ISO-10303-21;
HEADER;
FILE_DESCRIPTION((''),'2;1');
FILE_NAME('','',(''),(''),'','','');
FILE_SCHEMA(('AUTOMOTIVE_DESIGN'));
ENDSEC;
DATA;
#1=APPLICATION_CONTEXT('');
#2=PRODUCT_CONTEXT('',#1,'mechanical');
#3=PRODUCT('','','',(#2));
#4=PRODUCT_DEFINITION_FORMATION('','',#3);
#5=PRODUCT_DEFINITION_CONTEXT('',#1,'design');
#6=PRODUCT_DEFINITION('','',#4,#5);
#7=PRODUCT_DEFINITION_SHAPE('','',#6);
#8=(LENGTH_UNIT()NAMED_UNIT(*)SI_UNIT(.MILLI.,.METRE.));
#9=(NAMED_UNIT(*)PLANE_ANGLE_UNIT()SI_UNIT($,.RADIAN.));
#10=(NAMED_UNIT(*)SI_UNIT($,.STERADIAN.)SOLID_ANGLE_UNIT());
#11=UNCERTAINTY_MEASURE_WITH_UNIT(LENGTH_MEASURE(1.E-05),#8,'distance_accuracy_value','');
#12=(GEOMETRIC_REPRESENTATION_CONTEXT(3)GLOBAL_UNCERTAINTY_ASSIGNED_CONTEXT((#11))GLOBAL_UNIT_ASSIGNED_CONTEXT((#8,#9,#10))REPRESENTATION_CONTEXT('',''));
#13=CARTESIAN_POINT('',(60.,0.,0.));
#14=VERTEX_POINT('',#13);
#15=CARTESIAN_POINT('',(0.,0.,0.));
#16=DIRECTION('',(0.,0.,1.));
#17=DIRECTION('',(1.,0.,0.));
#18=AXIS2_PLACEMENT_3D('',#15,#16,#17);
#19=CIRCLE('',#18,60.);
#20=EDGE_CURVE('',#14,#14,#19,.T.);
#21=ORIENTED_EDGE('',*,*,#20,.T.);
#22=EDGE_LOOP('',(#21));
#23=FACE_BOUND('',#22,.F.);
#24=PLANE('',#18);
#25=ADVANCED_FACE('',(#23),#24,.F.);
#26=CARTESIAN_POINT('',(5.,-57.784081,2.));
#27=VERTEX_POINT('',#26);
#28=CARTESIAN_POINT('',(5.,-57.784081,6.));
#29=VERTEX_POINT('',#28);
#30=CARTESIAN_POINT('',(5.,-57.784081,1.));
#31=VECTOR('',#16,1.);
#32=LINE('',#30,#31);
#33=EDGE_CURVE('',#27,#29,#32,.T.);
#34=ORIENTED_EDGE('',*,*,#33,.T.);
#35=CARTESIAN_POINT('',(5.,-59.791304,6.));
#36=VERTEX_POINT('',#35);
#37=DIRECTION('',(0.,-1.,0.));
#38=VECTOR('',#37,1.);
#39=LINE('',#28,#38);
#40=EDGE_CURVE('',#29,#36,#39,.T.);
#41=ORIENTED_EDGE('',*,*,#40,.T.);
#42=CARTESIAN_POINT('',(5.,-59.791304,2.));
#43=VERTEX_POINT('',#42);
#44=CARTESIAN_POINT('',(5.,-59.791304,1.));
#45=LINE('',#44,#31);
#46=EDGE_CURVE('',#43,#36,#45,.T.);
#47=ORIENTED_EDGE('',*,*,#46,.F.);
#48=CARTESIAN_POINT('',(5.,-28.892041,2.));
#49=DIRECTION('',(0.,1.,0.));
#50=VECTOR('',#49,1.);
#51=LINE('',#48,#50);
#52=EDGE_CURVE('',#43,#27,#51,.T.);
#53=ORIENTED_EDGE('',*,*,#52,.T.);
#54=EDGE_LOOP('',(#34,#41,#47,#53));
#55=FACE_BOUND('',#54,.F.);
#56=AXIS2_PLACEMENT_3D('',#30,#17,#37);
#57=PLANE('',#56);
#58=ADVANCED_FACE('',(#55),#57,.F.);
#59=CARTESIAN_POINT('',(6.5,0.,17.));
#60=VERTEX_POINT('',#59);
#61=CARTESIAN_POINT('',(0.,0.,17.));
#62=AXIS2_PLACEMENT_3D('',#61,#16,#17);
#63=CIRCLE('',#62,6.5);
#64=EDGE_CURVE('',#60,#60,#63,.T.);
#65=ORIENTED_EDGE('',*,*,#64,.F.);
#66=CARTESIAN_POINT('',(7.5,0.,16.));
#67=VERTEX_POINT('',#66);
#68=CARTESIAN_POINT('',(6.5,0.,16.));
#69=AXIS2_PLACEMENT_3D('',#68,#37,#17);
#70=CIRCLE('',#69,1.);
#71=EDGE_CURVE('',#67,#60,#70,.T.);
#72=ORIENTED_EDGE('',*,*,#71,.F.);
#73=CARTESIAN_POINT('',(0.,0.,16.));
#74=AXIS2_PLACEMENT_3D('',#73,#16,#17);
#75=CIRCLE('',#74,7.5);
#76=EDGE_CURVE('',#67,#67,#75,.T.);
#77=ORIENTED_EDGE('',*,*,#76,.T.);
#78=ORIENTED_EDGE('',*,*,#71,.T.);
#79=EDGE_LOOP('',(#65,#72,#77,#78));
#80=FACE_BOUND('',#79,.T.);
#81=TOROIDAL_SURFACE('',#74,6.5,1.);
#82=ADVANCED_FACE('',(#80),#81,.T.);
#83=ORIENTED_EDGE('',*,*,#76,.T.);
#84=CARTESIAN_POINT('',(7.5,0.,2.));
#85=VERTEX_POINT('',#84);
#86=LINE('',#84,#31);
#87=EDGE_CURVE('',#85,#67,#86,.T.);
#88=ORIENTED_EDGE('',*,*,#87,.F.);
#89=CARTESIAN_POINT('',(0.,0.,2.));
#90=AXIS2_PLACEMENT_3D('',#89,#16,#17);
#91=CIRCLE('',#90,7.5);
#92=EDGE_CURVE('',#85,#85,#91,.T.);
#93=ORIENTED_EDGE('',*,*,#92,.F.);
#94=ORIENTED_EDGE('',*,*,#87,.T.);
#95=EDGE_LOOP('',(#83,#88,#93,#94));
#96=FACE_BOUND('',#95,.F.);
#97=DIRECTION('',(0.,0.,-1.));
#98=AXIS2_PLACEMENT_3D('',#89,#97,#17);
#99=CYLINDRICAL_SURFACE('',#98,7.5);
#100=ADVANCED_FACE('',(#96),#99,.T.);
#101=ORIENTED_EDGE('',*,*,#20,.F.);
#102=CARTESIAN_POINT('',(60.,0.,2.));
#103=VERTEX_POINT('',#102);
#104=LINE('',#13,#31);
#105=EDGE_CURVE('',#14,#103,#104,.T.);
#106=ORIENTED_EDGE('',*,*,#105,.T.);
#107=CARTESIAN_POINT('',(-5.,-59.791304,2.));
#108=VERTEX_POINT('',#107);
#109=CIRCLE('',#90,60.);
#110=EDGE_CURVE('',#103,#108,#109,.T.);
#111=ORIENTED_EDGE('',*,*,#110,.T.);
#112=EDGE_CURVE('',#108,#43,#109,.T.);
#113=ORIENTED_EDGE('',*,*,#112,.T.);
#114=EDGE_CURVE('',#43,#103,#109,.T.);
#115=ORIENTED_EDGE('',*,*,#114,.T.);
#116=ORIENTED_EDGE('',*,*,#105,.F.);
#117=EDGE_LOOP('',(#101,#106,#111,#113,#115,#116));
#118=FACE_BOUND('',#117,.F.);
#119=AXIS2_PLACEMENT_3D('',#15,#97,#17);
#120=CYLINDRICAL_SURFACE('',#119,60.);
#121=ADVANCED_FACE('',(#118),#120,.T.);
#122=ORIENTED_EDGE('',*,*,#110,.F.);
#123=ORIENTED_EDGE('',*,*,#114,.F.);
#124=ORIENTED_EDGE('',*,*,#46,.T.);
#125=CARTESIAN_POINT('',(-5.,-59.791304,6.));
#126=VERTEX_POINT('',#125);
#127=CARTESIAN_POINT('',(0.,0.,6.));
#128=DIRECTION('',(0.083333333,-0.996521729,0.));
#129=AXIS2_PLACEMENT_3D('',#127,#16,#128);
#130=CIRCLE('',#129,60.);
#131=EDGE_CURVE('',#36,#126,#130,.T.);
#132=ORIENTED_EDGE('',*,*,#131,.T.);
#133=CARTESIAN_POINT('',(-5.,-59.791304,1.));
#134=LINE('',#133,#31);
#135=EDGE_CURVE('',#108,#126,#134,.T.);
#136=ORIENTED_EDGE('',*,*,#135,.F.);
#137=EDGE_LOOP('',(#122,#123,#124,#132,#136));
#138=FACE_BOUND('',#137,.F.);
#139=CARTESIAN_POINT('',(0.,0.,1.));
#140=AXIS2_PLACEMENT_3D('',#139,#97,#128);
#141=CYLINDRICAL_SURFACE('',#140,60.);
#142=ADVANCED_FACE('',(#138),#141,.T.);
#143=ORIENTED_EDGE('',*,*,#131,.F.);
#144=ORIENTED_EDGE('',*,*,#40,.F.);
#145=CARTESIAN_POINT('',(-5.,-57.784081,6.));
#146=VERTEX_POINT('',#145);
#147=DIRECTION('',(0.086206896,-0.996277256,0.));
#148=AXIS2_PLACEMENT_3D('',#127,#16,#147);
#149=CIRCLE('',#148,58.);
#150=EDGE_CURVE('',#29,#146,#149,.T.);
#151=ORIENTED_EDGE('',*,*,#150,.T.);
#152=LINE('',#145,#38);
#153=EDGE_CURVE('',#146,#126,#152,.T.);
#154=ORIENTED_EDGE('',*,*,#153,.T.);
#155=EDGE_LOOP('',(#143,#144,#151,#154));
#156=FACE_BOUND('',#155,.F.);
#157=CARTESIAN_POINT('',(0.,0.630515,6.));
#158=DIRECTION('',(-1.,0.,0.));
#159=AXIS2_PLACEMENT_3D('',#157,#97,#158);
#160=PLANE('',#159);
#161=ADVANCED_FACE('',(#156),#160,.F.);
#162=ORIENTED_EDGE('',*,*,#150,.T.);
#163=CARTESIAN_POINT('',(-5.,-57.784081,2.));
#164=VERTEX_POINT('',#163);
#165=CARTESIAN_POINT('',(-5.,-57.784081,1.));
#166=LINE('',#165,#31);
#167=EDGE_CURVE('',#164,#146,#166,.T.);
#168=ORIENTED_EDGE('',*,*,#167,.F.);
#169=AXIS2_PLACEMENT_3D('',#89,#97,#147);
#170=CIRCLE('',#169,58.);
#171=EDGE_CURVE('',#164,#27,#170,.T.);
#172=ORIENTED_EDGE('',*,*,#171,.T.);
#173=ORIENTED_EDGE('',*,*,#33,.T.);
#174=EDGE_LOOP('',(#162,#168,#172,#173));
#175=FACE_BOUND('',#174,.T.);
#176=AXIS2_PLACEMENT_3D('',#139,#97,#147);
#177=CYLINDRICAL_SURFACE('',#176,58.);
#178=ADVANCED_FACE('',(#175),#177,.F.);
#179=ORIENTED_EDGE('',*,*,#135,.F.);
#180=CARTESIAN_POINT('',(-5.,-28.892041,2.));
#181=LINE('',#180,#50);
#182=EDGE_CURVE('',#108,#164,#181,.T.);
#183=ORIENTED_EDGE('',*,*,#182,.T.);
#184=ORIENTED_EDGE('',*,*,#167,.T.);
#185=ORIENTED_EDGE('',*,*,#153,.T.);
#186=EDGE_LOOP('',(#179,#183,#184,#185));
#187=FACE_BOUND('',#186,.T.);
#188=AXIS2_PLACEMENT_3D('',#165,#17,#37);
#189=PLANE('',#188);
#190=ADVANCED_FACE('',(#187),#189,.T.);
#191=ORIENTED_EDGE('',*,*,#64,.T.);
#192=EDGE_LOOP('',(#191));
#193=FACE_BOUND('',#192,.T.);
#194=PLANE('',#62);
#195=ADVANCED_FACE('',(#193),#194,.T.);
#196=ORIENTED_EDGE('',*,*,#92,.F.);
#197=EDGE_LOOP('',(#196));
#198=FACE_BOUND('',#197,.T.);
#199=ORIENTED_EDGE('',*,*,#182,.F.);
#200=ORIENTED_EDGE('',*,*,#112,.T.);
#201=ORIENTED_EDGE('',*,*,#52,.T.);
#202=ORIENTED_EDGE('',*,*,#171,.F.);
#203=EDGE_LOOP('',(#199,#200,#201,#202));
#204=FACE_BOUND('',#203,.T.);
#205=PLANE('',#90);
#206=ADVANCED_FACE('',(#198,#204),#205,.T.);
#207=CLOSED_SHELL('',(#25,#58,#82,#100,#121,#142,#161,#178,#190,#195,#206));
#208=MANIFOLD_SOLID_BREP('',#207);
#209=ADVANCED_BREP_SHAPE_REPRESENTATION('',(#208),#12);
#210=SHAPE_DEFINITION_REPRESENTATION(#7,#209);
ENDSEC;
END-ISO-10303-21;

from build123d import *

# Parameters (mm, degrees)
SKETCH_R     = 60
PAD_DEPTH    = 2
PAD001_DEPTH = 5
SKETCH002_R  = 7.5
PAD002_DEPTH = 15
FILLET_R     = 1


with BuildPart() as part:
    # Sketch → Pad (new body)
    with BuildSketch(Plane.XY):
        Circle(SKETCH_R)
    extrude(amount=PAD_DEPTH)

    # Sketch001 → Pad001 (join)
    with BuildSketch(Plane.XY.offset(1)):
        with BuildLine():
            ThreePointArc((5, -57.784081), (0, 58), (-5, -57.784081))
            Line((-5, -57.784081), (-5, -59.791304))
            ThreePointArc((5, -59.791304), (0, 60), (-5, -59.791304))
            Line((5, -57.784081), (5, -59.791304))
        make_face()
    extrude(amount=PAD001_DEPTH)

    # Sketch002 (on Face4 of Pad001) → Pad002 (join)
    with BuildSketch(Plane.XY.offset(2)):
        Circle(SKETCH002_R)
    extrude(amount=PAD002_DEPTH)

    # Fillet
    fillet_edges = [part.edges().sort_by_distance(p)[0] for p in [
        (-7.5, 0, 17),
    ]]
    fillet(fillet_edges, radius=FILLET_R)


solid = part.part
